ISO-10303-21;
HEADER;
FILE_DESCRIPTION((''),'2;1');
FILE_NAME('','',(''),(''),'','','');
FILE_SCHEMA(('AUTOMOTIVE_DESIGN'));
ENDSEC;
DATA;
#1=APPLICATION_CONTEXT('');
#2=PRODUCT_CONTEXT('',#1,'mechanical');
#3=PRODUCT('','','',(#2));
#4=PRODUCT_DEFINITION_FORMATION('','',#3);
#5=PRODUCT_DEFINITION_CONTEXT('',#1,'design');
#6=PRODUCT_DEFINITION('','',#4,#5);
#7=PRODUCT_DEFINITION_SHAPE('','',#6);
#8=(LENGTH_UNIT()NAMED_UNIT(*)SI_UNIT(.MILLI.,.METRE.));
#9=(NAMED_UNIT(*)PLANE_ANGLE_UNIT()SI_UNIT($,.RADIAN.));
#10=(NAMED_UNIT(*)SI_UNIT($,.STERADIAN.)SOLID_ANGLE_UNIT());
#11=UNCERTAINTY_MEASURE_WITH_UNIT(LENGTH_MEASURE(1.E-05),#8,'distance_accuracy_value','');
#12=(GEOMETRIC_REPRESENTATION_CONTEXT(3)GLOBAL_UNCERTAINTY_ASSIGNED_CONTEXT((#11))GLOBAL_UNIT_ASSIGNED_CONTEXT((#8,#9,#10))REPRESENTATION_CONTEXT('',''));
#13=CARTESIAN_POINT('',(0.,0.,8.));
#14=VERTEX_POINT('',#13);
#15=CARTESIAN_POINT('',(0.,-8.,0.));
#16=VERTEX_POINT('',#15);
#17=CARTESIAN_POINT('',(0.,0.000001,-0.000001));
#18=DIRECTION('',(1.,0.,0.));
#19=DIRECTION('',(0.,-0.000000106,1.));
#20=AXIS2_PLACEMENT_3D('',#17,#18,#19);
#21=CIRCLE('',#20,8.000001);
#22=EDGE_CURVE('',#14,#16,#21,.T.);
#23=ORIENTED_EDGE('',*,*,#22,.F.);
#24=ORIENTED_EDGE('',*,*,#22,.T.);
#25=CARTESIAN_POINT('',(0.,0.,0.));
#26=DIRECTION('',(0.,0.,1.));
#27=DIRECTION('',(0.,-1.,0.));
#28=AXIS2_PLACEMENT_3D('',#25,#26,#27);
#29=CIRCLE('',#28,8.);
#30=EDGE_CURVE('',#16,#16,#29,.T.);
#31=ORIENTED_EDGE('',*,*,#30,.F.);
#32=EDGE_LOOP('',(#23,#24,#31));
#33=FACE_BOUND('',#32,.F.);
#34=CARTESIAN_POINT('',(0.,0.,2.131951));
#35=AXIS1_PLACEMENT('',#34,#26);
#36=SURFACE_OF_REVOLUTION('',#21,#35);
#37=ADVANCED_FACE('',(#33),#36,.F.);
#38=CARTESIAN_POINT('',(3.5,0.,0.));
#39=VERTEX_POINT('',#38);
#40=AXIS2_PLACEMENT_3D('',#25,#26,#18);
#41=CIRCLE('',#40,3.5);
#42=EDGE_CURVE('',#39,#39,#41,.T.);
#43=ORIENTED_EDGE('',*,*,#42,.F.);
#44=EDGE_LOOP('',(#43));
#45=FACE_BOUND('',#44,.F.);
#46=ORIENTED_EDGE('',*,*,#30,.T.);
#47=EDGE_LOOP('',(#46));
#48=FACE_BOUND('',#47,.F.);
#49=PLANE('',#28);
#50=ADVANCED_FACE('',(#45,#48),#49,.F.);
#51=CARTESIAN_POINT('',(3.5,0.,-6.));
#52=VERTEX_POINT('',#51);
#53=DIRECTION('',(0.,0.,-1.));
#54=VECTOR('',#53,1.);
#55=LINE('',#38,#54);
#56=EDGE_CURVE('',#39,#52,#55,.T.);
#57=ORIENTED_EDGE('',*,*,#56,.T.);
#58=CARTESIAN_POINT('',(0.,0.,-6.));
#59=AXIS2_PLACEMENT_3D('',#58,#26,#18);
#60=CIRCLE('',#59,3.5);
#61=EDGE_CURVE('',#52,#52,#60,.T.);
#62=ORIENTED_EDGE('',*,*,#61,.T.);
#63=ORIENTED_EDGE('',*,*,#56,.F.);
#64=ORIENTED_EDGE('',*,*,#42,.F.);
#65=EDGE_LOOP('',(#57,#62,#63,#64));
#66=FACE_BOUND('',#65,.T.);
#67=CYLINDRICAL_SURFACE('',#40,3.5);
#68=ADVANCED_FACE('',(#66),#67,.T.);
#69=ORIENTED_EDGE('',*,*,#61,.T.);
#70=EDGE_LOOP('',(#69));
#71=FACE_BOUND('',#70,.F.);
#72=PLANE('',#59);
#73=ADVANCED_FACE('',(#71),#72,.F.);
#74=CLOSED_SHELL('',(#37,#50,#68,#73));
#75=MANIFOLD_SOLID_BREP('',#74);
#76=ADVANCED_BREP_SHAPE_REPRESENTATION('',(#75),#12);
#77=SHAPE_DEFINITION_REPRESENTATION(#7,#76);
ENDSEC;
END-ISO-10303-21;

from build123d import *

# Parameters (mm, degrees)
F0_R     = 3.5
F2_DEPTH = 6


with BuildPart() as f2:
    # F0 (on Top) → F2 (new body)
    with BuildSketch(Plane.XY):
        Circle(F0_R)
    extrude(amount=-F2_DEPTH)

    # F1 (on Right) → F3 (revolve)
    with BuildSketch(Plane.YZ):
        with BuildLine():
            Line((0, 0), (0, 8))
            ThreePointArc((0, 8), (-5.656854, 5.656854), (-8, 0))
            Line((-8, 0), (0, 0))
        make_face()
    revolve(axis=Axis((0, 0, 2.131951), (0, 0, 1)))


solid = f2.part
